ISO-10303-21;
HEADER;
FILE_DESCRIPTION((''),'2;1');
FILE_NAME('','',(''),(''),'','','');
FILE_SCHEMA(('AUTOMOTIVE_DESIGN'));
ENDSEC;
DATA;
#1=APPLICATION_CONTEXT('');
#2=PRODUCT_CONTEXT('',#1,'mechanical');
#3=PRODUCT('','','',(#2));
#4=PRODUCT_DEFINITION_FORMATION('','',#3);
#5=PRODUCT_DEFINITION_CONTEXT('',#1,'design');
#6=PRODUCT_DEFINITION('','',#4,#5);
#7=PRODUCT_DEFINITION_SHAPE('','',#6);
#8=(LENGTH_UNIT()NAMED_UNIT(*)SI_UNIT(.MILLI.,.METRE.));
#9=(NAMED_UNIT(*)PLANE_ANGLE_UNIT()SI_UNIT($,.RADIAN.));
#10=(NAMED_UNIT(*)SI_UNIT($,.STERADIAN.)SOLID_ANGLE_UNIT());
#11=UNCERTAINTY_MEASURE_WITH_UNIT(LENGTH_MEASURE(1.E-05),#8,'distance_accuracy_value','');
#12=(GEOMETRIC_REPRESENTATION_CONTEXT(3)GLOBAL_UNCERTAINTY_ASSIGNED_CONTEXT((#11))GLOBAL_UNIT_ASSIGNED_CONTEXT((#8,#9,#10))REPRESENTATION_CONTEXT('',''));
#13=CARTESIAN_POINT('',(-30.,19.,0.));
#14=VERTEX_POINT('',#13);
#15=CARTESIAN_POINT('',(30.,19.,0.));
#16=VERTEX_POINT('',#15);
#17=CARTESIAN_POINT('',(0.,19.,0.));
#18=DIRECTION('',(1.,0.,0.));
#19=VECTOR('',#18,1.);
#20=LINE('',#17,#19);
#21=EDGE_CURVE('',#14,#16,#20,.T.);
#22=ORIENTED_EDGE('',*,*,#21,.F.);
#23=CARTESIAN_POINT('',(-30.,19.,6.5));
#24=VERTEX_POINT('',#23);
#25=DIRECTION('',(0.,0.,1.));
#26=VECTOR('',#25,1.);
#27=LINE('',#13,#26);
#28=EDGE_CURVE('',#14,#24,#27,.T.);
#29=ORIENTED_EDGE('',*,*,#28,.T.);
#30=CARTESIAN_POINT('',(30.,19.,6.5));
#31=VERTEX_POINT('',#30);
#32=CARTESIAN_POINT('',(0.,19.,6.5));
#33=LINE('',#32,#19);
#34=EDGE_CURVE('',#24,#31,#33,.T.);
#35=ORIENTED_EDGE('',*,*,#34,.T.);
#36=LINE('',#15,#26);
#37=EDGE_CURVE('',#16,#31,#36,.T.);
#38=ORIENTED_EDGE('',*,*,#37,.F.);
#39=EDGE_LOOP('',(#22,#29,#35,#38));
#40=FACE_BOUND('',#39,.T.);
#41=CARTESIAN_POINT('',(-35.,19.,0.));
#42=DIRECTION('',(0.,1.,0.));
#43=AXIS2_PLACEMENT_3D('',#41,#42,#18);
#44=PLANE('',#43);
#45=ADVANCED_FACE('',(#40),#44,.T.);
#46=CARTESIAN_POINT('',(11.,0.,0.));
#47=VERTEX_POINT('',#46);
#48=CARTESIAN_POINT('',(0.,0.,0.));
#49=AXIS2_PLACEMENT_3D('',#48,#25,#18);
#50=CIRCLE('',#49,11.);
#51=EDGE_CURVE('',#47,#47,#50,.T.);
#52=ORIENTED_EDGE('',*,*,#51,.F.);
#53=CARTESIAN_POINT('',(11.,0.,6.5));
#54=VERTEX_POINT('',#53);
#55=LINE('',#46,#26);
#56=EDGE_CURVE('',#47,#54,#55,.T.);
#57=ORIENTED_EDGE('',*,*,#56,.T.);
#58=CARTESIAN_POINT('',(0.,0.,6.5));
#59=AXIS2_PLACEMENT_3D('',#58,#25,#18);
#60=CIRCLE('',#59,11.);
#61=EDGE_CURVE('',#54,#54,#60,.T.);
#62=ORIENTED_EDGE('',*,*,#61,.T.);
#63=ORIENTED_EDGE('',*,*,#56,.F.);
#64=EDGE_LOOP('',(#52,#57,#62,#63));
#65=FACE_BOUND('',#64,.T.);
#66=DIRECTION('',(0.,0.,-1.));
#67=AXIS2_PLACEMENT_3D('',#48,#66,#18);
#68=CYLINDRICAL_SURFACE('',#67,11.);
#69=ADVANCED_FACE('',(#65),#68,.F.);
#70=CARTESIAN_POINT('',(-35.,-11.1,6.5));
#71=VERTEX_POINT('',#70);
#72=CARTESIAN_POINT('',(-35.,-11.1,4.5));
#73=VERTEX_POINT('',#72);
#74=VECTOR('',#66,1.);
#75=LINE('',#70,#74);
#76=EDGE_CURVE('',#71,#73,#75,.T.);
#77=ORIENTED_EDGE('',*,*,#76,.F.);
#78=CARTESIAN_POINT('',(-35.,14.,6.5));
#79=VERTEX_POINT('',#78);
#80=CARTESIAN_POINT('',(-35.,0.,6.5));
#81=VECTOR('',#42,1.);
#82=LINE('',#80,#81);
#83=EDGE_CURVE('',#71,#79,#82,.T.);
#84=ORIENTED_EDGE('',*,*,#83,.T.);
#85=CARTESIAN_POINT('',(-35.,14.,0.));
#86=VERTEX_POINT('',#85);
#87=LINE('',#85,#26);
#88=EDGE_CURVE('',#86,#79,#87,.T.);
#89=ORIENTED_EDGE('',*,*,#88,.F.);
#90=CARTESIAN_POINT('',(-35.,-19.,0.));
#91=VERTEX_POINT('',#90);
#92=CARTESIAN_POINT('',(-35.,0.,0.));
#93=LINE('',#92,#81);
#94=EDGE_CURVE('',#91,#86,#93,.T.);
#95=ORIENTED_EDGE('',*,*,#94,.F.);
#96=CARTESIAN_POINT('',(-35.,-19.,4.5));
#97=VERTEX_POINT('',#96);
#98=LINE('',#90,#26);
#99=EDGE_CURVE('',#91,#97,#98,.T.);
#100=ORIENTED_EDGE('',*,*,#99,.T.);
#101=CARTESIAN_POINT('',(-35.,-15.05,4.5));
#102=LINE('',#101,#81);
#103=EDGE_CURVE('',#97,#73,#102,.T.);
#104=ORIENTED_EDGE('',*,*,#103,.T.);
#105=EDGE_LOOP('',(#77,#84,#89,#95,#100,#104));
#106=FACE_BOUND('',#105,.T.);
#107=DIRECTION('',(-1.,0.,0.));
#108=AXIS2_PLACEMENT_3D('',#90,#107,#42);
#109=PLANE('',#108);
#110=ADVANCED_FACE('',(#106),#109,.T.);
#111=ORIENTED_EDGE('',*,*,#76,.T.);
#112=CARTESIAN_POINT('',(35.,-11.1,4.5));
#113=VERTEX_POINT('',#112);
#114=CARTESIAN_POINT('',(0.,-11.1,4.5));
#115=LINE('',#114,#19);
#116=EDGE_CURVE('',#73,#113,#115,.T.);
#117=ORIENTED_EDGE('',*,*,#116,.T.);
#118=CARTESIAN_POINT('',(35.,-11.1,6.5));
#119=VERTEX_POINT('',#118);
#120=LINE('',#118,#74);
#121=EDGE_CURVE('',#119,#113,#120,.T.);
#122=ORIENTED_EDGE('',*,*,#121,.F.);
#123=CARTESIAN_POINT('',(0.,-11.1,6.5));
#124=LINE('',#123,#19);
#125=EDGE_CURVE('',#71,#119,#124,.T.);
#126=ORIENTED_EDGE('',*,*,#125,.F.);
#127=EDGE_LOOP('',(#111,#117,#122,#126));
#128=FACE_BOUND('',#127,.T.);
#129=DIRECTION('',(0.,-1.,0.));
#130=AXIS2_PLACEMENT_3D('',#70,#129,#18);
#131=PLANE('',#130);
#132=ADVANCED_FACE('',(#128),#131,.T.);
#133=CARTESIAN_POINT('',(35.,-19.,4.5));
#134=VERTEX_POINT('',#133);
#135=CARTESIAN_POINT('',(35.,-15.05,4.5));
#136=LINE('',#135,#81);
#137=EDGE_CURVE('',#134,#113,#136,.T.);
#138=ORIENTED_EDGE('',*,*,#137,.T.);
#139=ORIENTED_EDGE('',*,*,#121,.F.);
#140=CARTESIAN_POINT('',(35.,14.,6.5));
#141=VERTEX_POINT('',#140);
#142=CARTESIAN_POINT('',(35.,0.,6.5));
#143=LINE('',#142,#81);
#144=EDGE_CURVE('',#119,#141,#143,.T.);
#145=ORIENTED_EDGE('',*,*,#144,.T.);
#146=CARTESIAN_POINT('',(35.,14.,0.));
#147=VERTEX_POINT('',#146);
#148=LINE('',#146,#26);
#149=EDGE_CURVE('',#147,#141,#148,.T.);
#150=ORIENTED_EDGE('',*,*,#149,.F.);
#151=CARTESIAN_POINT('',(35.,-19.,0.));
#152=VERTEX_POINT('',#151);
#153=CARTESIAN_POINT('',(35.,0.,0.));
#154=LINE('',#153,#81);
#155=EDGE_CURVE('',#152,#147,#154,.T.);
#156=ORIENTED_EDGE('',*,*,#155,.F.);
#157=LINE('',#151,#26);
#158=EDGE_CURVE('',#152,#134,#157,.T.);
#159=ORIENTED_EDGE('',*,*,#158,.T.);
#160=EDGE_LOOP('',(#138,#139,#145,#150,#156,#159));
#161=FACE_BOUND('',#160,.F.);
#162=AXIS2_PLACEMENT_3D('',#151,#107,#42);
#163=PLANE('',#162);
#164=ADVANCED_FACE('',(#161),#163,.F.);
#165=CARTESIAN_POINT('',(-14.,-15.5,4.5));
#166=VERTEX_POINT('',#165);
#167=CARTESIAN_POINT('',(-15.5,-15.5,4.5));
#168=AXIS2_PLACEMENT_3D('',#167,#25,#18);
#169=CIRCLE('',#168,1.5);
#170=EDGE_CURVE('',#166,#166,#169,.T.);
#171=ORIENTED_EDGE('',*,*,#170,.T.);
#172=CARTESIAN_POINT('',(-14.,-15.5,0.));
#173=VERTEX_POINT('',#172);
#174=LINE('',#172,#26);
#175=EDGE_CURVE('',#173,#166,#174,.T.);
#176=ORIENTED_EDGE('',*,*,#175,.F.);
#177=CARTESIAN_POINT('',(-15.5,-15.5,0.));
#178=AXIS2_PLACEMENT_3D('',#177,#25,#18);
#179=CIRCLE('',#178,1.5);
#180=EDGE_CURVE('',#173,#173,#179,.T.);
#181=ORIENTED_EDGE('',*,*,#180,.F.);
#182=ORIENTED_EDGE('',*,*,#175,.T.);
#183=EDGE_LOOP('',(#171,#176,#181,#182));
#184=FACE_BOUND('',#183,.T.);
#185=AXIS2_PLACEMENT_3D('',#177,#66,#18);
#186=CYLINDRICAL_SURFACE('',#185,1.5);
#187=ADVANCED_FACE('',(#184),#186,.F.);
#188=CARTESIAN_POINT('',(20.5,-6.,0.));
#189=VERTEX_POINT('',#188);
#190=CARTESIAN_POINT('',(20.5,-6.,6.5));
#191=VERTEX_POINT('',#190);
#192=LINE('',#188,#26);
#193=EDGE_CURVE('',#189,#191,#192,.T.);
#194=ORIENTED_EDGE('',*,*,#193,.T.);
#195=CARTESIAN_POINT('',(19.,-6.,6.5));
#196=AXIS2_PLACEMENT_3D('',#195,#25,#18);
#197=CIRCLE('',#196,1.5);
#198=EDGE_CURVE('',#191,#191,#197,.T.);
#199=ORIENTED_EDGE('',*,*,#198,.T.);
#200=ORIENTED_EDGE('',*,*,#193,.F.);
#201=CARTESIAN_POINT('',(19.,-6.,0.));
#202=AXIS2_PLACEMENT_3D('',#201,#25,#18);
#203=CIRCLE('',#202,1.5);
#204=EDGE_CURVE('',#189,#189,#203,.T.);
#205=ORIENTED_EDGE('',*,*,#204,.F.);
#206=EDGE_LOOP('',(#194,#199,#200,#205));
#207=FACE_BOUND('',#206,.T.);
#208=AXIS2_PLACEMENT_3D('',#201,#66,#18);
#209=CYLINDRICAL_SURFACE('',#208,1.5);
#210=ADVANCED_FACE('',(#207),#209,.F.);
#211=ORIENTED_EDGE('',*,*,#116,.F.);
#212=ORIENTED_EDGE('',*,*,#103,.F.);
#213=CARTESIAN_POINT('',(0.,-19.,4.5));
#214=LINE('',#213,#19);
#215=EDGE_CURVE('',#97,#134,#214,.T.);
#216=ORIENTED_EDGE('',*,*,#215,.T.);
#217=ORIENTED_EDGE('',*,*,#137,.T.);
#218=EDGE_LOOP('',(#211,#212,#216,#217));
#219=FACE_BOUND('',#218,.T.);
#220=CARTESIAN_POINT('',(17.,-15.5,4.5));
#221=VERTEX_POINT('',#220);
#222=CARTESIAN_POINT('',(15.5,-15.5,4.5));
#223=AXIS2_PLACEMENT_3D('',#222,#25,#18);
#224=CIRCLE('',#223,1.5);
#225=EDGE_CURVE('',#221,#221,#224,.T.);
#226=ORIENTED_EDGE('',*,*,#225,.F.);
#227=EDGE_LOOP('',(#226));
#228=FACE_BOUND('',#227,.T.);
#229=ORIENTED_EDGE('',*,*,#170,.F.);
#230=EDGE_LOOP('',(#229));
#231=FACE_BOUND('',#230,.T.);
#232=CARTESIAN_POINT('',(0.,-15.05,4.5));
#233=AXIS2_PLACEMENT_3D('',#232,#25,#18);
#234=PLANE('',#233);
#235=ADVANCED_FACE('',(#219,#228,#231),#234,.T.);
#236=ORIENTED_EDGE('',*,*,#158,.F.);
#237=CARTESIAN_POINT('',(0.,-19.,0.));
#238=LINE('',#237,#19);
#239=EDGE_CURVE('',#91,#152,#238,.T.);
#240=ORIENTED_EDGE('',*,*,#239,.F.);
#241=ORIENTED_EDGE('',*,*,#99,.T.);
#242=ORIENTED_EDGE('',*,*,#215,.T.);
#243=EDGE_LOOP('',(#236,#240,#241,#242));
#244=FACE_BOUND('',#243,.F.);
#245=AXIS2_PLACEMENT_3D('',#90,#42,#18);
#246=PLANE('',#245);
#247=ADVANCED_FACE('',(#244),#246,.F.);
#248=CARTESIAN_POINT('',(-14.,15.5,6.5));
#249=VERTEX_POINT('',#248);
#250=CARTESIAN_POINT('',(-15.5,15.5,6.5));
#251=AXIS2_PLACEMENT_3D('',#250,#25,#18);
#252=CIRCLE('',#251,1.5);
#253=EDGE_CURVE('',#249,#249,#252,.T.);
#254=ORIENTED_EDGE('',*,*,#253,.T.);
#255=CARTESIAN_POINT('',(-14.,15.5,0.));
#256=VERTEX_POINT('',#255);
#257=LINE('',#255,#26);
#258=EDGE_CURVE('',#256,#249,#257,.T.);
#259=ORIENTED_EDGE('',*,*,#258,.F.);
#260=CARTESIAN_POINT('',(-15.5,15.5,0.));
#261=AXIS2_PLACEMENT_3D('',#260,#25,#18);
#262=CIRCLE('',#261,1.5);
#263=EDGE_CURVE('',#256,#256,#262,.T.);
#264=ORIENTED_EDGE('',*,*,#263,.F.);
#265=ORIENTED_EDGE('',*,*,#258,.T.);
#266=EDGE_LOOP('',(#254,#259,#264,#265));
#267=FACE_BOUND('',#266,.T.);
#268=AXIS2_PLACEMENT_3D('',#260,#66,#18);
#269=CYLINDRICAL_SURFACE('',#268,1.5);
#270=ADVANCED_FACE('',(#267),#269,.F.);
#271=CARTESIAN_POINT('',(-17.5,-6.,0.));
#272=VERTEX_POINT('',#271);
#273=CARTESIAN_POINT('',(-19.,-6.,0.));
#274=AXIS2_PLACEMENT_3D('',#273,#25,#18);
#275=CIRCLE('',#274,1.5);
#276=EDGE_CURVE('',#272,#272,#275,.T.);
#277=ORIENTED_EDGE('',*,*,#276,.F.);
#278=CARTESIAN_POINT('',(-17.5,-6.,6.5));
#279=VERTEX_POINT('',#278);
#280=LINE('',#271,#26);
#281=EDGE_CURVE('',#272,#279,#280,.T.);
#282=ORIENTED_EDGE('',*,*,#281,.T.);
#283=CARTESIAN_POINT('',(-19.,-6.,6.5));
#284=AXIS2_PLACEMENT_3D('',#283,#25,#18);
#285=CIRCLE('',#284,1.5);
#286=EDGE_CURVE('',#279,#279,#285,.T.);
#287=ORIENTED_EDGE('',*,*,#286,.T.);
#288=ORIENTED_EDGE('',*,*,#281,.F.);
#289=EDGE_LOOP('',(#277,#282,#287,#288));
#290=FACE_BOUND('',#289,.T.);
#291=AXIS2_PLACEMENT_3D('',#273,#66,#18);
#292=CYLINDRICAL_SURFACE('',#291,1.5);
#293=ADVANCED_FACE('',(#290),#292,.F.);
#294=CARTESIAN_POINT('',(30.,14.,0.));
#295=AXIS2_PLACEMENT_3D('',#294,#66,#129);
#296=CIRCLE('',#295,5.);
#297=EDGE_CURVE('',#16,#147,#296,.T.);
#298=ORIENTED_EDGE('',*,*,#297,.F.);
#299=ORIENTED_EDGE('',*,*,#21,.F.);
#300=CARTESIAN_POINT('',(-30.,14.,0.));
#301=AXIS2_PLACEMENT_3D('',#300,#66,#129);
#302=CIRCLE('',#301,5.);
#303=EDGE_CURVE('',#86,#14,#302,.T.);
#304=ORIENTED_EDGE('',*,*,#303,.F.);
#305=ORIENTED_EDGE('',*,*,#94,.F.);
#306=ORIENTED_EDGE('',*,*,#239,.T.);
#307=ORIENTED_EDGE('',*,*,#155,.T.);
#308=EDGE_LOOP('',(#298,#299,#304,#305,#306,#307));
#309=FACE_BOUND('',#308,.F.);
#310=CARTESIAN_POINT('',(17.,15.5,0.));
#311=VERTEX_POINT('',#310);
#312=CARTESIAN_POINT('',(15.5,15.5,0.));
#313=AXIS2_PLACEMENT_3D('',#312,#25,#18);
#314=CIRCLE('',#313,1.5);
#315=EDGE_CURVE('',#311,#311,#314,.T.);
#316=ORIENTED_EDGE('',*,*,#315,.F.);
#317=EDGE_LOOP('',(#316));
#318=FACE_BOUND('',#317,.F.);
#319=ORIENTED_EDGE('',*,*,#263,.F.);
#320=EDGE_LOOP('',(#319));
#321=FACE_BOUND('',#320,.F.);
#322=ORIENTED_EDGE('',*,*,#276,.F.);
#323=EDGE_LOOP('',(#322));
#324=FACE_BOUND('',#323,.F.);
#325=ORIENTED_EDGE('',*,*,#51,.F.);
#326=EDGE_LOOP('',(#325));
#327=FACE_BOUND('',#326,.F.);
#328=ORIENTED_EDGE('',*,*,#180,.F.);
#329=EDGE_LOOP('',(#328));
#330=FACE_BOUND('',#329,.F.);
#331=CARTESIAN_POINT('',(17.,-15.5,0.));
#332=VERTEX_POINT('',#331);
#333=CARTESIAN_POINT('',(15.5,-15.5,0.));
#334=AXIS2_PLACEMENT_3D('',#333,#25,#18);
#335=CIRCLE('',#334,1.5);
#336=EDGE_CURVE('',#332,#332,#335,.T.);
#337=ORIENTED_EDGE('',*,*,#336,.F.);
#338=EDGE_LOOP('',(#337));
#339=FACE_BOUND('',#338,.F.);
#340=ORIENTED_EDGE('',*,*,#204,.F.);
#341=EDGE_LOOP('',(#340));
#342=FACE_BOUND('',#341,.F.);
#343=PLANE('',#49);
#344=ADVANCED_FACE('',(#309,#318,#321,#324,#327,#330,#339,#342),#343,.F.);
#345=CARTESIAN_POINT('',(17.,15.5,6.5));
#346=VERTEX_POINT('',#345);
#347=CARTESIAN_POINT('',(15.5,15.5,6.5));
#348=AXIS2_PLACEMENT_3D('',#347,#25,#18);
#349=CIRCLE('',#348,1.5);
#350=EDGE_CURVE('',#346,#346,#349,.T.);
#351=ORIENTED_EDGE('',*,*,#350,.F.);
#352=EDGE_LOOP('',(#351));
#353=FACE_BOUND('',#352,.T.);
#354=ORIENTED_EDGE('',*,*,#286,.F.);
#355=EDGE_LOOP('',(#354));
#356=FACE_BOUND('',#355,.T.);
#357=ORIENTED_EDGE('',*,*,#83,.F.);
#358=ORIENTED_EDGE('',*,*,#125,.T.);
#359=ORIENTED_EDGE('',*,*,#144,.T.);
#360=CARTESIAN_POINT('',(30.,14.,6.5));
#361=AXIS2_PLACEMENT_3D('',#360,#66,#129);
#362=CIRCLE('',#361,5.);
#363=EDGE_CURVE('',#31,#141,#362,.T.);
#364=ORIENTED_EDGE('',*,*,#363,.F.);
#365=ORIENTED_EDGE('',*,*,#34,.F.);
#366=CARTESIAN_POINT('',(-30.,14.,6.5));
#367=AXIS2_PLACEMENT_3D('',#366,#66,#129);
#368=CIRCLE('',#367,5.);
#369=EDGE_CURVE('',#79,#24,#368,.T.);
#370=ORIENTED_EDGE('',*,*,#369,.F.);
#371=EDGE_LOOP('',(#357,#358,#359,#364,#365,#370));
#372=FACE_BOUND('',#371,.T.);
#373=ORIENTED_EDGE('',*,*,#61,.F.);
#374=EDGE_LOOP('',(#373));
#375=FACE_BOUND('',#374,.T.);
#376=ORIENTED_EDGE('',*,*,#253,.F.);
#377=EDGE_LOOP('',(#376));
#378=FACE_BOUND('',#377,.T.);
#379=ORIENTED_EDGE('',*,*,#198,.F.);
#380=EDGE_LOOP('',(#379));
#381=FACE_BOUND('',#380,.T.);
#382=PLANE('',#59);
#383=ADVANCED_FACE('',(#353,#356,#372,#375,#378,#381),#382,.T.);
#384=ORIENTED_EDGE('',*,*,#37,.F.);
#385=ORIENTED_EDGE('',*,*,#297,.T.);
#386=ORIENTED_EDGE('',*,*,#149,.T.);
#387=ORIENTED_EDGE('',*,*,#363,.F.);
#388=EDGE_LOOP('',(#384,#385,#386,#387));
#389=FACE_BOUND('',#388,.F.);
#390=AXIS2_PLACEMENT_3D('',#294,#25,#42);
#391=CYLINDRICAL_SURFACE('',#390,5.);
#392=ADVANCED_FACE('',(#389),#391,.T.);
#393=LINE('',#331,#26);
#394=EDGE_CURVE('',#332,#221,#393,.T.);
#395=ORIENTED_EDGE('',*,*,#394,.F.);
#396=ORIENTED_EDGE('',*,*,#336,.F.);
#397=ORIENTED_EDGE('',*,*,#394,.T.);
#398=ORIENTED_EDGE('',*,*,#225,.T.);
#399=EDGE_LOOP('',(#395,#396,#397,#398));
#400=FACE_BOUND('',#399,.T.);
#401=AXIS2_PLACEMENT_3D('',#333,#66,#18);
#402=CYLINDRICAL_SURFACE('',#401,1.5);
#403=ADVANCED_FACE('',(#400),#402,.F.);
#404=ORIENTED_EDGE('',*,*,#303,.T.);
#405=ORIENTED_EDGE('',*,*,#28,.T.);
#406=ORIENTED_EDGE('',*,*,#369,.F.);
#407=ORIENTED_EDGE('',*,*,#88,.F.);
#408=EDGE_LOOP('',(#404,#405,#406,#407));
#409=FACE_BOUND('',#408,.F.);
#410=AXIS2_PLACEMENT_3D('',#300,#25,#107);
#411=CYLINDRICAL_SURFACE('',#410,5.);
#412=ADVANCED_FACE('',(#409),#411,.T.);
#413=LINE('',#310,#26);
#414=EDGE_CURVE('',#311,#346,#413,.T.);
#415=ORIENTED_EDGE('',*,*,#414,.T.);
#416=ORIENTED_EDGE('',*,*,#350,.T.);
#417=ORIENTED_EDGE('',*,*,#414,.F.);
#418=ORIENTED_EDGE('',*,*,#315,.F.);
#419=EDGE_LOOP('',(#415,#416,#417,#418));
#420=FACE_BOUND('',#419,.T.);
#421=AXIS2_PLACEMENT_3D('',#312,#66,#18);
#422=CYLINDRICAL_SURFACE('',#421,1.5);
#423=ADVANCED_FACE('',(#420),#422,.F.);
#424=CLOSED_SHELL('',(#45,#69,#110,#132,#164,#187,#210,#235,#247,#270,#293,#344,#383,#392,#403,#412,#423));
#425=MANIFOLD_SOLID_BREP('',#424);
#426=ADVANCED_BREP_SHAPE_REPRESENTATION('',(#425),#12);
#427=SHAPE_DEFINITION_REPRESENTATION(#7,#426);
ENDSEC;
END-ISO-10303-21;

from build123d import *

# Parameters (mm, degrees)
F0_W     = 70
F0_H     = 38
F0_R     = 1.5
F0_R_2   = 11
F1_DEPTH = 6.5
F2_W     = 70
F2_H     = 7.9
F2_R     = 1.5
F3_DEPTH = 2
F4_R     = 5


with BuildPart() as f1:
    # F0 (on Top) → F1 (new body)
    with BuildSketch(Plane.XY):
        Rectangle(F0_W, F0_H)
        with Locations((-15.5, -15.5)):
            Circle(F0_R, mode=Mode.SUBTRACT)
        with Locations((-19, -6)):
            Circle(F0_R, mode=Mode.SUBTRACT)
        with Locations((15.5, -15.5)):
            Circle(F0_R, mode=Mode.SUBTRACT)
        with Locations((19, -6)):
            Circle(F0_R, mode=Mode.SUBTRACT)
        with Locations((-15.5, 15.5)):
            Circle(F0_R, mode=Mode.SUBTRACT)
        Circle(F0_R_2, mode=Mode.SUBTRACT)
        with Locations((15.5, 15.5)):
            Circle(F0_R, mode=Mode.SUBTRACT)
    extrude(amount=F1_DEPTH)

    # F2 (on face) → F3 (cut)
    with BuildSketch(Plane.XY.offset(6.5)):
        with Locations((0, -15.05)):
            Rectangle(F2_W, F2_H)
        with Locations((-15.5, -15.5)):
            Circle(F2_R, mode=Mode.SUBTRACT)
        with Locations((15.5, -15.5)):
            Circle(F2_R, mode=Mode.SUBTRACT)
    extrude(amount=-F3_DEPTH, mode=Mode.SUBTRACT)

    # F4
    f4_edges = [f1.edges().sort_by_distance(p)[0] for p in [
        (35, 19, 3.25),
        (-35, 19, 3.25),
    ]]
    fillet(f4_edges, radius=F4_R)


solid = f1.part
